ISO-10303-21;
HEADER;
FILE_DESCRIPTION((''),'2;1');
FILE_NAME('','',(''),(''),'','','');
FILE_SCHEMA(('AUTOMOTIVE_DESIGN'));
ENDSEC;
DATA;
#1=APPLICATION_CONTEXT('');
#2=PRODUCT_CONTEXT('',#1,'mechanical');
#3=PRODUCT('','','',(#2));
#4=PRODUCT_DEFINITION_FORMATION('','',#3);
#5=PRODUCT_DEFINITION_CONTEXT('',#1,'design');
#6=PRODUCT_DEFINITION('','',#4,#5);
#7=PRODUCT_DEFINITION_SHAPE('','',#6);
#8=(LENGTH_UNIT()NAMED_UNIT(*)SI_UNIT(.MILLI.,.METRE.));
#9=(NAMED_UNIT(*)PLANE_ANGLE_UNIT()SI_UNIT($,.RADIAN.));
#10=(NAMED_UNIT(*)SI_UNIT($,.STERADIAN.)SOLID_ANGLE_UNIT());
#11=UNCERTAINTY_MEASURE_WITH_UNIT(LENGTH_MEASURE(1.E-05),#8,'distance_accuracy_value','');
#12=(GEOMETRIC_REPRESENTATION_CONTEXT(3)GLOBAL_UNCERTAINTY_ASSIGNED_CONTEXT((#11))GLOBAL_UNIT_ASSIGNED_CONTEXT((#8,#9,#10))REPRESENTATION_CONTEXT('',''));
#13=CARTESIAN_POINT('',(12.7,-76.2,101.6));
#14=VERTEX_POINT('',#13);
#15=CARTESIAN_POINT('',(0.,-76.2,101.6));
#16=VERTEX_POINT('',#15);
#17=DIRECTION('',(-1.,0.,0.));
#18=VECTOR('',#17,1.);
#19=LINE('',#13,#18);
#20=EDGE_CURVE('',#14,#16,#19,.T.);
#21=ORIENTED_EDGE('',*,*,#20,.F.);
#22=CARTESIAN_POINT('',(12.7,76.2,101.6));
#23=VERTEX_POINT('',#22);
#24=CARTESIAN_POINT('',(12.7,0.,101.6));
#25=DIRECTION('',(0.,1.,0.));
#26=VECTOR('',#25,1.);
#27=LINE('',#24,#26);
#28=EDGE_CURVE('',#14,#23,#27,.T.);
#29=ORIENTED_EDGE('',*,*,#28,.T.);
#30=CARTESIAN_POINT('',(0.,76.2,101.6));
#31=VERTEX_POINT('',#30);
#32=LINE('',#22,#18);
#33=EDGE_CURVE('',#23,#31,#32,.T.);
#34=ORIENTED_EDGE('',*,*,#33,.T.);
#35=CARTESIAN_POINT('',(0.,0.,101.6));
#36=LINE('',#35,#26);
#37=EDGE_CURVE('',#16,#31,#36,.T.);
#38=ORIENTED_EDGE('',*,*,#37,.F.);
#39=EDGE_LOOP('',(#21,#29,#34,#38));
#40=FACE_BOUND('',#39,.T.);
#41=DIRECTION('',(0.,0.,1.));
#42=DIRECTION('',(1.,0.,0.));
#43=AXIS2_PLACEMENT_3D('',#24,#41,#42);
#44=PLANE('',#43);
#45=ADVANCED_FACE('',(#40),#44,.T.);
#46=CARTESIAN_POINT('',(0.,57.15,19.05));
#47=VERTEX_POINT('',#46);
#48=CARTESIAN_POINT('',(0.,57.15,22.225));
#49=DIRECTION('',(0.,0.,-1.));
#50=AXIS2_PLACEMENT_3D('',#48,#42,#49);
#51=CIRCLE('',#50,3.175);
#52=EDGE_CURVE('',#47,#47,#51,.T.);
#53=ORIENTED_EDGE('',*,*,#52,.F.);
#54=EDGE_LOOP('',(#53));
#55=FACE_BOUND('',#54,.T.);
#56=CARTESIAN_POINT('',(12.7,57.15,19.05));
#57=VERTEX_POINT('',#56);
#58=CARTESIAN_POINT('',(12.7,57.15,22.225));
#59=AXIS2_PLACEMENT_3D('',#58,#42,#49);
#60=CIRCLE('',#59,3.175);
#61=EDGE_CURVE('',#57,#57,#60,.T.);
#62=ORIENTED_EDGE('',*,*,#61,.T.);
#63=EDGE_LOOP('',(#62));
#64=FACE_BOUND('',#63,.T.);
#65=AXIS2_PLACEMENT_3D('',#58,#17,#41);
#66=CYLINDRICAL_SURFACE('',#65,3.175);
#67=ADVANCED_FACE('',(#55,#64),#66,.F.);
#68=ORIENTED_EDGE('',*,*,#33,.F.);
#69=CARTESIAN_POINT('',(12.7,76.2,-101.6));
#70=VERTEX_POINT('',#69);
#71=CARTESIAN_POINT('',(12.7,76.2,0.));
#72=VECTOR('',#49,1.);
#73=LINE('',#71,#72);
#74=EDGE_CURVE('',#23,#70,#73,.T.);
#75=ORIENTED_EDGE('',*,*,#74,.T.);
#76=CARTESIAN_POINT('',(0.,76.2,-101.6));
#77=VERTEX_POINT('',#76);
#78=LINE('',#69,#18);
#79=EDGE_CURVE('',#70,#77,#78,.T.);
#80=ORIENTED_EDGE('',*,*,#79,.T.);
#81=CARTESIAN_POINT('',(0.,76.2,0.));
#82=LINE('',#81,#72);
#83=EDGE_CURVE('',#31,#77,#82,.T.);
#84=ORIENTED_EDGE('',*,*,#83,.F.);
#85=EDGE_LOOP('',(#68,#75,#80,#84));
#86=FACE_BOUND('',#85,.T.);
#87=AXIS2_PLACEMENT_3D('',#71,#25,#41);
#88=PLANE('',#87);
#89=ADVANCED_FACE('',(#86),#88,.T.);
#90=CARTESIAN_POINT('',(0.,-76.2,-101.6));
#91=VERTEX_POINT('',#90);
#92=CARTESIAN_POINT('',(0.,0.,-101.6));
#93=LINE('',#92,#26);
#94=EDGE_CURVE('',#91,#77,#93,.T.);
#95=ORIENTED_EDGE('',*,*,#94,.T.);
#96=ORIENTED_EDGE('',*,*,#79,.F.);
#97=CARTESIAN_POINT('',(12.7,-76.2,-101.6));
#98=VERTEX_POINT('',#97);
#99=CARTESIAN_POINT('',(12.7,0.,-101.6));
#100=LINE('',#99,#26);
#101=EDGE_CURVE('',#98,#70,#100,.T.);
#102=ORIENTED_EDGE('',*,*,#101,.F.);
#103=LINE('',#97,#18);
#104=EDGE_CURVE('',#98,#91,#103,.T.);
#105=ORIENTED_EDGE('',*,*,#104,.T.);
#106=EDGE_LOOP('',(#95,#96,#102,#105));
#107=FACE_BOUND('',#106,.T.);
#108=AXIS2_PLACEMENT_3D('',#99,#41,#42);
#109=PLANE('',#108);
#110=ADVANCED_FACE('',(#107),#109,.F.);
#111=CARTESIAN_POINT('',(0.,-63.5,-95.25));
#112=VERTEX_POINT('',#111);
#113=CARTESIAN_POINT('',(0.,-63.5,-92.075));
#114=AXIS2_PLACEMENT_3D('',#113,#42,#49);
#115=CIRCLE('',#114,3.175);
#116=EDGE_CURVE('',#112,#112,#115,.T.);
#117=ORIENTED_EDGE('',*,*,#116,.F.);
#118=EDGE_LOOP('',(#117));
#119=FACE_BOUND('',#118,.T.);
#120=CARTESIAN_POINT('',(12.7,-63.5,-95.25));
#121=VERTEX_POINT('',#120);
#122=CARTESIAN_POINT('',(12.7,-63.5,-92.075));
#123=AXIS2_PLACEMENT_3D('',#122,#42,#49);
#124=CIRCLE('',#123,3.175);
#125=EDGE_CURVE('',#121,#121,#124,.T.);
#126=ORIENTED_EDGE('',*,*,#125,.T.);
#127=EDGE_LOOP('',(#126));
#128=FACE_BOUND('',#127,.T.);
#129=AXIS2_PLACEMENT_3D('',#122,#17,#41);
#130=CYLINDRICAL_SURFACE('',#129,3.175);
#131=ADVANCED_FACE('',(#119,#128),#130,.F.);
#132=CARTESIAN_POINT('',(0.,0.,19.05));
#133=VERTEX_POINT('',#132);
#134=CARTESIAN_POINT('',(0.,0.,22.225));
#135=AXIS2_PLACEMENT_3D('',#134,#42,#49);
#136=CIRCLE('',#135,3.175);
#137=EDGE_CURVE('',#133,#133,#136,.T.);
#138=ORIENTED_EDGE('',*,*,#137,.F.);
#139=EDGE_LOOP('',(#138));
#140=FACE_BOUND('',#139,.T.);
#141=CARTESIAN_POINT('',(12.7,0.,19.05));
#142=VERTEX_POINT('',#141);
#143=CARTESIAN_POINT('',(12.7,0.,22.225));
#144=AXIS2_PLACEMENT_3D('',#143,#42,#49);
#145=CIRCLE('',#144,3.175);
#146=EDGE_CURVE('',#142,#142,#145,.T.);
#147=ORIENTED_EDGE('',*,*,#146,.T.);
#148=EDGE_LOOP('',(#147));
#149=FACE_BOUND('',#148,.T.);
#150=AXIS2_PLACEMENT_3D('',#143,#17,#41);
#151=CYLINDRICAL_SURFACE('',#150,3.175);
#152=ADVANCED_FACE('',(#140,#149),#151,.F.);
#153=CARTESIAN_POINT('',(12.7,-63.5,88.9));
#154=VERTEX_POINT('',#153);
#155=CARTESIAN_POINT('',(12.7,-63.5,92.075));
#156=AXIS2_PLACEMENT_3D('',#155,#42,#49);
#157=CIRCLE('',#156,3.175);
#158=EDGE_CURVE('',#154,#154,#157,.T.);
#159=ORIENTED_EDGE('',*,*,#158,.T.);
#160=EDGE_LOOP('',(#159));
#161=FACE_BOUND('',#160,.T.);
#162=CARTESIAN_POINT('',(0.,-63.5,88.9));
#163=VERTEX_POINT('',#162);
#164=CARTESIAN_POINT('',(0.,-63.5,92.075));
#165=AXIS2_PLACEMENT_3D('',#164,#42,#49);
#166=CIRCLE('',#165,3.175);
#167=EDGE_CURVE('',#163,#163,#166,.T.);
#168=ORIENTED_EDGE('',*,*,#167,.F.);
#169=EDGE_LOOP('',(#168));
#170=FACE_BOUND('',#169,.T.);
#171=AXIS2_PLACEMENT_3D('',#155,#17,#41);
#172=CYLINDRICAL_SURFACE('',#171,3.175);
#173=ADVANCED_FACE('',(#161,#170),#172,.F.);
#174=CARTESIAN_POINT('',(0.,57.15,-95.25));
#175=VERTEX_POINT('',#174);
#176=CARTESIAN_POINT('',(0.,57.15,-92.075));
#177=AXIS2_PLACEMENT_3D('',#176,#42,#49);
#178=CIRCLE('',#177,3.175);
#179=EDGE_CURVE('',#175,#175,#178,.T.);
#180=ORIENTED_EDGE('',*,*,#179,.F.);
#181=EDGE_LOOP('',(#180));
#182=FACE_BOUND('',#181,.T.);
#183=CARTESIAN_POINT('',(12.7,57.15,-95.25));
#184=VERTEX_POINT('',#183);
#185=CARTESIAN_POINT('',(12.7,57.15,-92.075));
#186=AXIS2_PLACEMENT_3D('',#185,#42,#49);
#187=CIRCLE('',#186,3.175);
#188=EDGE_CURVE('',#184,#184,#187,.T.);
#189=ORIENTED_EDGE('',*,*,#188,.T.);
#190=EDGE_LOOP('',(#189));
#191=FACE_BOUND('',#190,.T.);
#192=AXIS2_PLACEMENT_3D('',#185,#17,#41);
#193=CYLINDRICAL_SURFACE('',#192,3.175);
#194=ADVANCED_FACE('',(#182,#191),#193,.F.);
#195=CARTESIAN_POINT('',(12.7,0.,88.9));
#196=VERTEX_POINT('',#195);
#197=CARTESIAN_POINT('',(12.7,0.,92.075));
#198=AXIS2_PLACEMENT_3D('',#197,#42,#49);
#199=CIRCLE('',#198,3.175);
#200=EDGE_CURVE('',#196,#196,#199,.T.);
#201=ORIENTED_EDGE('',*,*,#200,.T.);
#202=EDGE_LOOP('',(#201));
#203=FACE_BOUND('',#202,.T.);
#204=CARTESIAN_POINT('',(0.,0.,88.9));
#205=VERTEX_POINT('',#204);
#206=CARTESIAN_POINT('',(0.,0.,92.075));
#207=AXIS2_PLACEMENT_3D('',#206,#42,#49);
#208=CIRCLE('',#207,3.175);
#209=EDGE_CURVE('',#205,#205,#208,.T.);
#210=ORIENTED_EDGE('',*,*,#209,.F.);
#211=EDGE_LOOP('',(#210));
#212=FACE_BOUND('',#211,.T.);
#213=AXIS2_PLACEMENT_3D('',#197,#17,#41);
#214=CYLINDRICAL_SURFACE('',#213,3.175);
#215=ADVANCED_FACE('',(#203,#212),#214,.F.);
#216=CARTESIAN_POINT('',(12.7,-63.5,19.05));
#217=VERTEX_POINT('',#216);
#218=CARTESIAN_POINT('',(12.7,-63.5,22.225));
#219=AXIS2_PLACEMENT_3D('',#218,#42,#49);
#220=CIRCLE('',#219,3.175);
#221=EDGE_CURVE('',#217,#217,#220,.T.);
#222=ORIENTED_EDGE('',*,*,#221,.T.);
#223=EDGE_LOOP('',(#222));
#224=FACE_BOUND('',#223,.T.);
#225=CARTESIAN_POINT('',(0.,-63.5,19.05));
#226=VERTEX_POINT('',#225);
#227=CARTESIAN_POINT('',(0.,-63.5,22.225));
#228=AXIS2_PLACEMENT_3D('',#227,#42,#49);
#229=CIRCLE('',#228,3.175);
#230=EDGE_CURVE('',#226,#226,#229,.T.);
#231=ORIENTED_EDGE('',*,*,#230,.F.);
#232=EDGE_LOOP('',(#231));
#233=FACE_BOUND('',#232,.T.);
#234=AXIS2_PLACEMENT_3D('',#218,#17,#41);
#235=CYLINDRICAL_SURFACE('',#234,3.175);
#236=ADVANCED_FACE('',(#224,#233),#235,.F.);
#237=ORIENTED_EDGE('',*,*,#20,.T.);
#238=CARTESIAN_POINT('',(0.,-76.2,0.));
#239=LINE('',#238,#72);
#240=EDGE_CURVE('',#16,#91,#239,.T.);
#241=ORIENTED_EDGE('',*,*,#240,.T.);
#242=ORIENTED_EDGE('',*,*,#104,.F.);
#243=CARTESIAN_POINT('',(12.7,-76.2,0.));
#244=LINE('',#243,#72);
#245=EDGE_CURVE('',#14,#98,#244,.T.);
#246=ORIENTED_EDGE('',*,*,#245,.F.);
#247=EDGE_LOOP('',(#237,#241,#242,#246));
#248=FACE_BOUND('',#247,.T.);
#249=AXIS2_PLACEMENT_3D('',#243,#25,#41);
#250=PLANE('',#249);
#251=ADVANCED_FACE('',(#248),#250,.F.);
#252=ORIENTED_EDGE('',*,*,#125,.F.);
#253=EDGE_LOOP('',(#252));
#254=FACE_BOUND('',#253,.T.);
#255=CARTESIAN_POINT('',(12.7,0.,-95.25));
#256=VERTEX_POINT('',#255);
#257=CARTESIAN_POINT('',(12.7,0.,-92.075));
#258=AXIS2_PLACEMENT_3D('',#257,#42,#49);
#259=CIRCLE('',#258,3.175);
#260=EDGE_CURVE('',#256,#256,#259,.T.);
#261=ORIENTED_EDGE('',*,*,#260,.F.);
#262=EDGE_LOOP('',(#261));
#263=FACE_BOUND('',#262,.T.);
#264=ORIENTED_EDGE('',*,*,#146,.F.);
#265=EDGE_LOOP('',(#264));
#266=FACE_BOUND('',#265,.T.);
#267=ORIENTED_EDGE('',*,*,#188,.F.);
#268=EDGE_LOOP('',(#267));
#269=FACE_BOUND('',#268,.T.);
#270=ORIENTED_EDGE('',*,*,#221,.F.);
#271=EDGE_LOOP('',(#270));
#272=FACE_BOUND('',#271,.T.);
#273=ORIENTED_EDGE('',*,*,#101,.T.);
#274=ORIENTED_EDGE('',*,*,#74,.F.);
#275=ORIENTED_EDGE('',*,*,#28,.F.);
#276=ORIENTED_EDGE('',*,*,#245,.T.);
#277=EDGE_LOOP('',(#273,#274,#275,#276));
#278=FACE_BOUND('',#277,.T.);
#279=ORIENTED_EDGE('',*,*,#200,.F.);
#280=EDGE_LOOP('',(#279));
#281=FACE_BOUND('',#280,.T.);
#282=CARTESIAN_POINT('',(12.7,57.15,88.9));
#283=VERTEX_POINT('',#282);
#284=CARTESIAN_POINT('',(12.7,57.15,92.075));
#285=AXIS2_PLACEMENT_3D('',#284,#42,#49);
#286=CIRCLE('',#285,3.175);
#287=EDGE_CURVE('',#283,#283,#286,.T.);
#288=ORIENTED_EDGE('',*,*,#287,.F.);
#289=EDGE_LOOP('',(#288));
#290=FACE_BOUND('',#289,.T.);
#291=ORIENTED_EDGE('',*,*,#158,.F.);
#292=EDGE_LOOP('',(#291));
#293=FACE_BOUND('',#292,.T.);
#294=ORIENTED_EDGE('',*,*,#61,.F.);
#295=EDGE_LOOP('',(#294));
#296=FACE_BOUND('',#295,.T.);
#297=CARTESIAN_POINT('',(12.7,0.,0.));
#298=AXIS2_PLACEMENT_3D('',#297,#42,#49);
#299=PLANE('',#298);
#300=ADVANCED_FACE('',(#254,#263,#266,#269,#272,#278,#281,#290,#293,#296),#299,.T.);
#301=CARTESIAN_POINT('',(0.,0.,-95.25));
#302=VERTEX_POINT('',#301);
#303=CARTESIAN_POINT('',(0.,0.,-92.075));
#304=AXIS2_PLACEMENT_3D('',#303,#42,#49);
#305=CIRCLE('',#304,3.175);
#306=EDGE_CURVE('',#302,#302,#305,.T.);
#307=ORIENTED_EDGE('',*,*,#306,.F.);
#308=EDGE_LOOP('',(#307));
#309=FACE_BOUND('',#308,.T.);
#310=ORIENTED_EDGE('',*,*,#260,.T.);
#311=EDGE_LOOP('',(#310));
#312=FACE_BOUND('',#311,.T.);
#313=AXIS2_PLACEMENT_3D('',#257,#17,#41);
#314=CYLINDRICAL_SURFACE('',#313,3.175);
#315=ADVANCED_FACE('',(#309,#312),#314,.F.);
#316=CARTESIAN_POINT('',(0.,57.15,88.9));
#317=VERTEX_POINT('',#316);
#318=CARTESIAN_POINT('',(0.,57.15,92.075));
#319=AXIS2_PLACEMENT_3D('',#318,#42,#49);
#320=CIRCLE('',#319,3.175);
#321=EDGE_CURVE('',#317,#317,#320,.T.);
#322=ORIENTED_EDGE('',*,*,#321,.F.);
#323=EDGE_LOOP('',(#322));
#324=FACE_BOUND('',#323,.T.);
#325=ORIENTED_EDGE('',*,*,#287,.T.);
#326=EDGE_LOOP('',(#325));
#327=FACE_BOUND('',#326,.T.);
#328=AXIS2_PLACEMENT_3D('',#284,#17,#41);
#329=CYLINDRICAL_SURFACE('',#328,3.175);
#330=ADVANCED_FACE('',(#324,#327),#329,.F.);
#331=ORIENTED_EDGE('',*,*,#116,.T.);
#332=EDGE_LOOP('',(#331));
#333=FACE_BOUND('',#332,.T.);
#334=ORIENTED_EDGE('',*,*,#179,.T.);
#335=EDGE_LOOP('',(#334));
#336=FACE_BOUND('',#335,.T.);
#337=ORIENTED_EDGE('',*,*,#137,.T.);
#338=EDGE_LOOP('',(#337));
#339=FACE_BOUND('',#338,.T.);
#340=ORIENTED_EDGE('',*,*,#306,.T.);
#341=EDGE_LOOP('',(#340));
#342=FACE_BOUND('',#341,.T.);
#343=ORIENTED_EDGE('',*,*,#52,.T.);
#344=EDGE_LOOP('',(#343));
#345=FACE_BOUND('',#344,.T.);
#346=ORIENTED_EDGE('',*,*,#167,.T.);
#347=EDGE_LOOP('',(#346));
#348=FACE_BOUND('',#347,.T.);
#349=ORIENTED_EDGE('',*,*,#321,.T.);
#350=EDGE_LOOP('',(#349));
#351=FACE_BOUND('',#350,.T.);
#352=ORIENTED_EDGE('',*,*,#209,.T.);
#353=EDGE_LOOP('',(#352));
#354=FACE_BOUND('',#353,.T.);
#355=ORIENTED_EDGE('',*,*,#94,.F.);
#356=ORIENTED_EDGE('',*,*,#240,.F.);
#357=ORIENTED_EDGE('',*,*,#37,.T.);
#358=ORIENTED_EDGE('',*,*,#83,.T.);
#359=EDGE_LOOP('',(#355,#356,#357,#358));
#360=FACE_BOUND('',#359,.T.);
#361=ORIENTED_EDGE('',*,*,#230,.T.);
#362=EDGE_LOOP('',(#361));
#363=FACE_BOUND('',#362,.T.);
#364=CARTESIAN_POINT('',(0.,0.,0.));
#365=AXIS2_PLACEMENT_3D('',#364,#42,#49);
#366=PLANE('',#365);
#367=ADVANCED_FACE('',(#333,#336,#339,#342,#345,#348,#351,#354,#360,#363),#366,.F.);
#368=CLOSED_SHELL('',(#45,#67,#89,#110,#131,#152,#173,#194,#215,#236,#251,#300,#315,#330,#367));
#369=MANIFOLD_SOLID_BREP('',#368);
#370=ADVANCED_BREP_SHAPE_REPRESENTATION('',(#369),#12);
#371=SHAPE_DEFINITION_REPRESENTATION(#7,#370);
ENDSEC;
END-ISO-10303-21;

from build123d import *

# Parameters (mm, degrees)
BOSS_EXTRUDE1_DEPTH = 12.7


with BuildPart() as part:
    # Sketch1 → Boss-Extrude1 (new body)
    with BuildSketch(Plane(origin=(0, 0, 0), x_dir=(0, 0, -1), z_dir=(1, 0, 0))):
        with BuildLine():
            Line((-95.25, 0), (-101.6, 0))
            Line((-101.6, 0), (-101.6, -76.2))
            Line((-101.6, -76.2), (-92.075, -76.2))
            Line((-92.075, -76.2), (-92.075, -66.675))
            ThreePointArc((-92.075, -66.675), (-95.25, -63.5), (-92.075, -60.325))
            Line((-92.075, -60.325), (-92.075, -3.175))
            ThreePointArc((-92.075, -3.175), (-94.32006403, -2.24506403), (-95.25, 0))
        make_face()
        with BuildLine():
            Line((-92.075, 60.325), (-92.075, 76.2))
            Line((-92.075, 76.2), (-101.6, 76.2))
            Line((-101.6, 76.2), (-101.6, 0))
            Line((-101.6, 0), (-95.25, 0))
            ThreePointArc((-95.25, 0), (-94.32006403, 2.24506403), (-92.075, 3.175))
            Line((-92.075, 3.175), (-92.075, 53.975))
            ThreePointArc((-92.075, 53.975), (-95.25, 57.15), (-92.075, 60.325))
        make_face()
        with BuildLine():
            Line((-22.225, 76.2), (-92.075, 76.2))
            Line((-92.075, 76.2), (-92.075, 60.325))
            ThreePointArc((-92.075, 60.325), (-89.82993597, 59.39506403), (-88.9, 57.15))
            ThreePointArc((-88.9, 57.15), (-89.82993597, 54.90493597), (-92.075, 53.975))
            Line((-92.075, 53.975), (-92.075, 3.175))
            ThreePointArc((-92.075, 3.175), (-89.82993597, 2.24506403), (-88.9, 0))
            Line((-88.9, 0), (-25.4, 0))
            ThreePointArc((-25.4, 0), (-24.47006403, 2.24506403), (-22.225, 3.175))
            Line((-22.225, 3.175), (-22.225, 53.975))
            ThreePointArc((-22.225, 53.975), (-25.4, 57.15), (-22.225, 60.325))
            Line((-22.225, 60.325), (-22.225, 76.2))
        make_face()
        with BuildLine():
            Line((-25.4, 0), (-88.9, 0))
            ThreePointArc((-88.9, 0), (-89.82993597, -2.24506403), (-92.075, -3.175))
            Line((-92.075, -3.175), (-92.075, -60.325))
            ThreePointArc((-92.075, -60.325), (-89.82993597, -61.25493597), (-88.9, -63.5))
            ThreePointArc((-88.9, -63.5), (-89.82993597, -65.74506403), (-92.075, -66.675))
            Line((-92.075, -66.675), (-92.075, -76.2))
            Line((-92.075, -76.2), (-22.225, -76.2))
            Line((-22.225, -76.2), (-22.225, -66.675))
            ThreePointArc((-22.225, -66.675), (-25.4, -63.5), (-22.225, -60.325))
            Line((-22.225, -60.325), (-22.225, -3.175))
            ThreePointArc((-22.225, -3.175), (-24.47006403, -2.24506403), (-25.4, 0))
        make_face()
        with BuildLine():
            Line((-22.225, -66.675), (-22.225, -76.2))
            Line((-22.225, -76.2), (92.075, -76.2))
            Line((92.075, -76.2), (92.075, -66.675))
            ThreePointArc((92.075, -66.675), (88.9, -63.5), (92.075, -60.325))
            Line((92.075, -60.325), (92.075, -3.175))
            ThreePointArc((92.075, -3.175), (89.82993597, -2.24506403), (88.9, 0))
            Line((88.9, 0), (-19.05, 0))
            ThreePointArc((-19.05, 0), (-19.97993597, -2.24506403), (-22.225, -3.175))
            Line((-22.225, -3.175), (-22.225, -60.325))
            ThreePointArc((-22.225, -60.325), (-19.97993597, -61.25493597), (-19.05, -63.5))
            ThreePointArc((-19.05, -63.5), (-19.97993597, -65.74506403), (-22.225, -66.675))
        make_face()
        with BuildLine():
            Line((92.075, 76.2), (-22.225, 76.2))
            Line((-22.225, 76.2), (-22.225, 60.325))
            ThreePointArc((-22.225, 60.325), (-19.97993597, 59.39506403), (-19.05, 57.15))
            ThreePointArc((-19.05, 57.15), (-19.97993597, 54.90493597), (-22.225, 53.975))
            Line((-22.225, 53.975), (-22.225, 3.175))
            ThreePointArc((-22.225, 3.175), (-19.97993597, 2.24506403), (-19.05, 0))
            Line((-19.05, 0), (88.9, 0))
            ThreePointArc((88.9, 0), (89.82993597, 2.24506403), (92.075, 3.175))
            Line((92.075, 3.175), (92.075, 53.975))
            ThreePointArc((92.075, 53.975), (88.9, 57.15), (92.075, 60.325))
            Line((92.075, 60.325), (92.075, 76.2))
        make_face()
        with BuildLine():
            Line((101.6, 76.2), (92.075, 76.2))
            Line((92.075, 76.2), (92.075, 60.325))
            ThreePointArc((92.075, 60.325), (94.32006403, 59.39506403), (95.25, 57.15))
            ThreePointArc((95.25, 57.15), (94.32006403, 54.90493597), (92.075, 53.975))
            Line((92.075, 53.975), (92.075, 3.175))
            ThreePointArc((92.075, 3.175), (94.32006403, 2.24506403), (95.25, 0))
            Line((95.25, 0), (101.6, 0))
            Line((101.6, 0), (101.6, 76.2))
        make_face()
        with BuildLine():
            Line((101.6, -76.2), (101.6, 0))
            Line((101.6, 0), (95.25, 0))
            ThreePointArc((95.25, 0), (94.32006403, -2.24506403), (92.075, -3.175))
            Line((92.075, -3.175), (92.075, -60.325))
            ThreePointArc((92.075, -60.325), (94.32006403, -61.25493597), (95.25, -63.5))
            ThreePointArc((95.25, -63.5), (94.32006403, -65.74506403), (92.075, -66.675))
            Line((92.075, -66.675), (92.075, -76.2))
            Line((92.075, -76.2), (101.6, -76.2))
        make_face()
    extrude(amount=BOSS_EXTRUDE1_DEPTH)


solid = part.part
